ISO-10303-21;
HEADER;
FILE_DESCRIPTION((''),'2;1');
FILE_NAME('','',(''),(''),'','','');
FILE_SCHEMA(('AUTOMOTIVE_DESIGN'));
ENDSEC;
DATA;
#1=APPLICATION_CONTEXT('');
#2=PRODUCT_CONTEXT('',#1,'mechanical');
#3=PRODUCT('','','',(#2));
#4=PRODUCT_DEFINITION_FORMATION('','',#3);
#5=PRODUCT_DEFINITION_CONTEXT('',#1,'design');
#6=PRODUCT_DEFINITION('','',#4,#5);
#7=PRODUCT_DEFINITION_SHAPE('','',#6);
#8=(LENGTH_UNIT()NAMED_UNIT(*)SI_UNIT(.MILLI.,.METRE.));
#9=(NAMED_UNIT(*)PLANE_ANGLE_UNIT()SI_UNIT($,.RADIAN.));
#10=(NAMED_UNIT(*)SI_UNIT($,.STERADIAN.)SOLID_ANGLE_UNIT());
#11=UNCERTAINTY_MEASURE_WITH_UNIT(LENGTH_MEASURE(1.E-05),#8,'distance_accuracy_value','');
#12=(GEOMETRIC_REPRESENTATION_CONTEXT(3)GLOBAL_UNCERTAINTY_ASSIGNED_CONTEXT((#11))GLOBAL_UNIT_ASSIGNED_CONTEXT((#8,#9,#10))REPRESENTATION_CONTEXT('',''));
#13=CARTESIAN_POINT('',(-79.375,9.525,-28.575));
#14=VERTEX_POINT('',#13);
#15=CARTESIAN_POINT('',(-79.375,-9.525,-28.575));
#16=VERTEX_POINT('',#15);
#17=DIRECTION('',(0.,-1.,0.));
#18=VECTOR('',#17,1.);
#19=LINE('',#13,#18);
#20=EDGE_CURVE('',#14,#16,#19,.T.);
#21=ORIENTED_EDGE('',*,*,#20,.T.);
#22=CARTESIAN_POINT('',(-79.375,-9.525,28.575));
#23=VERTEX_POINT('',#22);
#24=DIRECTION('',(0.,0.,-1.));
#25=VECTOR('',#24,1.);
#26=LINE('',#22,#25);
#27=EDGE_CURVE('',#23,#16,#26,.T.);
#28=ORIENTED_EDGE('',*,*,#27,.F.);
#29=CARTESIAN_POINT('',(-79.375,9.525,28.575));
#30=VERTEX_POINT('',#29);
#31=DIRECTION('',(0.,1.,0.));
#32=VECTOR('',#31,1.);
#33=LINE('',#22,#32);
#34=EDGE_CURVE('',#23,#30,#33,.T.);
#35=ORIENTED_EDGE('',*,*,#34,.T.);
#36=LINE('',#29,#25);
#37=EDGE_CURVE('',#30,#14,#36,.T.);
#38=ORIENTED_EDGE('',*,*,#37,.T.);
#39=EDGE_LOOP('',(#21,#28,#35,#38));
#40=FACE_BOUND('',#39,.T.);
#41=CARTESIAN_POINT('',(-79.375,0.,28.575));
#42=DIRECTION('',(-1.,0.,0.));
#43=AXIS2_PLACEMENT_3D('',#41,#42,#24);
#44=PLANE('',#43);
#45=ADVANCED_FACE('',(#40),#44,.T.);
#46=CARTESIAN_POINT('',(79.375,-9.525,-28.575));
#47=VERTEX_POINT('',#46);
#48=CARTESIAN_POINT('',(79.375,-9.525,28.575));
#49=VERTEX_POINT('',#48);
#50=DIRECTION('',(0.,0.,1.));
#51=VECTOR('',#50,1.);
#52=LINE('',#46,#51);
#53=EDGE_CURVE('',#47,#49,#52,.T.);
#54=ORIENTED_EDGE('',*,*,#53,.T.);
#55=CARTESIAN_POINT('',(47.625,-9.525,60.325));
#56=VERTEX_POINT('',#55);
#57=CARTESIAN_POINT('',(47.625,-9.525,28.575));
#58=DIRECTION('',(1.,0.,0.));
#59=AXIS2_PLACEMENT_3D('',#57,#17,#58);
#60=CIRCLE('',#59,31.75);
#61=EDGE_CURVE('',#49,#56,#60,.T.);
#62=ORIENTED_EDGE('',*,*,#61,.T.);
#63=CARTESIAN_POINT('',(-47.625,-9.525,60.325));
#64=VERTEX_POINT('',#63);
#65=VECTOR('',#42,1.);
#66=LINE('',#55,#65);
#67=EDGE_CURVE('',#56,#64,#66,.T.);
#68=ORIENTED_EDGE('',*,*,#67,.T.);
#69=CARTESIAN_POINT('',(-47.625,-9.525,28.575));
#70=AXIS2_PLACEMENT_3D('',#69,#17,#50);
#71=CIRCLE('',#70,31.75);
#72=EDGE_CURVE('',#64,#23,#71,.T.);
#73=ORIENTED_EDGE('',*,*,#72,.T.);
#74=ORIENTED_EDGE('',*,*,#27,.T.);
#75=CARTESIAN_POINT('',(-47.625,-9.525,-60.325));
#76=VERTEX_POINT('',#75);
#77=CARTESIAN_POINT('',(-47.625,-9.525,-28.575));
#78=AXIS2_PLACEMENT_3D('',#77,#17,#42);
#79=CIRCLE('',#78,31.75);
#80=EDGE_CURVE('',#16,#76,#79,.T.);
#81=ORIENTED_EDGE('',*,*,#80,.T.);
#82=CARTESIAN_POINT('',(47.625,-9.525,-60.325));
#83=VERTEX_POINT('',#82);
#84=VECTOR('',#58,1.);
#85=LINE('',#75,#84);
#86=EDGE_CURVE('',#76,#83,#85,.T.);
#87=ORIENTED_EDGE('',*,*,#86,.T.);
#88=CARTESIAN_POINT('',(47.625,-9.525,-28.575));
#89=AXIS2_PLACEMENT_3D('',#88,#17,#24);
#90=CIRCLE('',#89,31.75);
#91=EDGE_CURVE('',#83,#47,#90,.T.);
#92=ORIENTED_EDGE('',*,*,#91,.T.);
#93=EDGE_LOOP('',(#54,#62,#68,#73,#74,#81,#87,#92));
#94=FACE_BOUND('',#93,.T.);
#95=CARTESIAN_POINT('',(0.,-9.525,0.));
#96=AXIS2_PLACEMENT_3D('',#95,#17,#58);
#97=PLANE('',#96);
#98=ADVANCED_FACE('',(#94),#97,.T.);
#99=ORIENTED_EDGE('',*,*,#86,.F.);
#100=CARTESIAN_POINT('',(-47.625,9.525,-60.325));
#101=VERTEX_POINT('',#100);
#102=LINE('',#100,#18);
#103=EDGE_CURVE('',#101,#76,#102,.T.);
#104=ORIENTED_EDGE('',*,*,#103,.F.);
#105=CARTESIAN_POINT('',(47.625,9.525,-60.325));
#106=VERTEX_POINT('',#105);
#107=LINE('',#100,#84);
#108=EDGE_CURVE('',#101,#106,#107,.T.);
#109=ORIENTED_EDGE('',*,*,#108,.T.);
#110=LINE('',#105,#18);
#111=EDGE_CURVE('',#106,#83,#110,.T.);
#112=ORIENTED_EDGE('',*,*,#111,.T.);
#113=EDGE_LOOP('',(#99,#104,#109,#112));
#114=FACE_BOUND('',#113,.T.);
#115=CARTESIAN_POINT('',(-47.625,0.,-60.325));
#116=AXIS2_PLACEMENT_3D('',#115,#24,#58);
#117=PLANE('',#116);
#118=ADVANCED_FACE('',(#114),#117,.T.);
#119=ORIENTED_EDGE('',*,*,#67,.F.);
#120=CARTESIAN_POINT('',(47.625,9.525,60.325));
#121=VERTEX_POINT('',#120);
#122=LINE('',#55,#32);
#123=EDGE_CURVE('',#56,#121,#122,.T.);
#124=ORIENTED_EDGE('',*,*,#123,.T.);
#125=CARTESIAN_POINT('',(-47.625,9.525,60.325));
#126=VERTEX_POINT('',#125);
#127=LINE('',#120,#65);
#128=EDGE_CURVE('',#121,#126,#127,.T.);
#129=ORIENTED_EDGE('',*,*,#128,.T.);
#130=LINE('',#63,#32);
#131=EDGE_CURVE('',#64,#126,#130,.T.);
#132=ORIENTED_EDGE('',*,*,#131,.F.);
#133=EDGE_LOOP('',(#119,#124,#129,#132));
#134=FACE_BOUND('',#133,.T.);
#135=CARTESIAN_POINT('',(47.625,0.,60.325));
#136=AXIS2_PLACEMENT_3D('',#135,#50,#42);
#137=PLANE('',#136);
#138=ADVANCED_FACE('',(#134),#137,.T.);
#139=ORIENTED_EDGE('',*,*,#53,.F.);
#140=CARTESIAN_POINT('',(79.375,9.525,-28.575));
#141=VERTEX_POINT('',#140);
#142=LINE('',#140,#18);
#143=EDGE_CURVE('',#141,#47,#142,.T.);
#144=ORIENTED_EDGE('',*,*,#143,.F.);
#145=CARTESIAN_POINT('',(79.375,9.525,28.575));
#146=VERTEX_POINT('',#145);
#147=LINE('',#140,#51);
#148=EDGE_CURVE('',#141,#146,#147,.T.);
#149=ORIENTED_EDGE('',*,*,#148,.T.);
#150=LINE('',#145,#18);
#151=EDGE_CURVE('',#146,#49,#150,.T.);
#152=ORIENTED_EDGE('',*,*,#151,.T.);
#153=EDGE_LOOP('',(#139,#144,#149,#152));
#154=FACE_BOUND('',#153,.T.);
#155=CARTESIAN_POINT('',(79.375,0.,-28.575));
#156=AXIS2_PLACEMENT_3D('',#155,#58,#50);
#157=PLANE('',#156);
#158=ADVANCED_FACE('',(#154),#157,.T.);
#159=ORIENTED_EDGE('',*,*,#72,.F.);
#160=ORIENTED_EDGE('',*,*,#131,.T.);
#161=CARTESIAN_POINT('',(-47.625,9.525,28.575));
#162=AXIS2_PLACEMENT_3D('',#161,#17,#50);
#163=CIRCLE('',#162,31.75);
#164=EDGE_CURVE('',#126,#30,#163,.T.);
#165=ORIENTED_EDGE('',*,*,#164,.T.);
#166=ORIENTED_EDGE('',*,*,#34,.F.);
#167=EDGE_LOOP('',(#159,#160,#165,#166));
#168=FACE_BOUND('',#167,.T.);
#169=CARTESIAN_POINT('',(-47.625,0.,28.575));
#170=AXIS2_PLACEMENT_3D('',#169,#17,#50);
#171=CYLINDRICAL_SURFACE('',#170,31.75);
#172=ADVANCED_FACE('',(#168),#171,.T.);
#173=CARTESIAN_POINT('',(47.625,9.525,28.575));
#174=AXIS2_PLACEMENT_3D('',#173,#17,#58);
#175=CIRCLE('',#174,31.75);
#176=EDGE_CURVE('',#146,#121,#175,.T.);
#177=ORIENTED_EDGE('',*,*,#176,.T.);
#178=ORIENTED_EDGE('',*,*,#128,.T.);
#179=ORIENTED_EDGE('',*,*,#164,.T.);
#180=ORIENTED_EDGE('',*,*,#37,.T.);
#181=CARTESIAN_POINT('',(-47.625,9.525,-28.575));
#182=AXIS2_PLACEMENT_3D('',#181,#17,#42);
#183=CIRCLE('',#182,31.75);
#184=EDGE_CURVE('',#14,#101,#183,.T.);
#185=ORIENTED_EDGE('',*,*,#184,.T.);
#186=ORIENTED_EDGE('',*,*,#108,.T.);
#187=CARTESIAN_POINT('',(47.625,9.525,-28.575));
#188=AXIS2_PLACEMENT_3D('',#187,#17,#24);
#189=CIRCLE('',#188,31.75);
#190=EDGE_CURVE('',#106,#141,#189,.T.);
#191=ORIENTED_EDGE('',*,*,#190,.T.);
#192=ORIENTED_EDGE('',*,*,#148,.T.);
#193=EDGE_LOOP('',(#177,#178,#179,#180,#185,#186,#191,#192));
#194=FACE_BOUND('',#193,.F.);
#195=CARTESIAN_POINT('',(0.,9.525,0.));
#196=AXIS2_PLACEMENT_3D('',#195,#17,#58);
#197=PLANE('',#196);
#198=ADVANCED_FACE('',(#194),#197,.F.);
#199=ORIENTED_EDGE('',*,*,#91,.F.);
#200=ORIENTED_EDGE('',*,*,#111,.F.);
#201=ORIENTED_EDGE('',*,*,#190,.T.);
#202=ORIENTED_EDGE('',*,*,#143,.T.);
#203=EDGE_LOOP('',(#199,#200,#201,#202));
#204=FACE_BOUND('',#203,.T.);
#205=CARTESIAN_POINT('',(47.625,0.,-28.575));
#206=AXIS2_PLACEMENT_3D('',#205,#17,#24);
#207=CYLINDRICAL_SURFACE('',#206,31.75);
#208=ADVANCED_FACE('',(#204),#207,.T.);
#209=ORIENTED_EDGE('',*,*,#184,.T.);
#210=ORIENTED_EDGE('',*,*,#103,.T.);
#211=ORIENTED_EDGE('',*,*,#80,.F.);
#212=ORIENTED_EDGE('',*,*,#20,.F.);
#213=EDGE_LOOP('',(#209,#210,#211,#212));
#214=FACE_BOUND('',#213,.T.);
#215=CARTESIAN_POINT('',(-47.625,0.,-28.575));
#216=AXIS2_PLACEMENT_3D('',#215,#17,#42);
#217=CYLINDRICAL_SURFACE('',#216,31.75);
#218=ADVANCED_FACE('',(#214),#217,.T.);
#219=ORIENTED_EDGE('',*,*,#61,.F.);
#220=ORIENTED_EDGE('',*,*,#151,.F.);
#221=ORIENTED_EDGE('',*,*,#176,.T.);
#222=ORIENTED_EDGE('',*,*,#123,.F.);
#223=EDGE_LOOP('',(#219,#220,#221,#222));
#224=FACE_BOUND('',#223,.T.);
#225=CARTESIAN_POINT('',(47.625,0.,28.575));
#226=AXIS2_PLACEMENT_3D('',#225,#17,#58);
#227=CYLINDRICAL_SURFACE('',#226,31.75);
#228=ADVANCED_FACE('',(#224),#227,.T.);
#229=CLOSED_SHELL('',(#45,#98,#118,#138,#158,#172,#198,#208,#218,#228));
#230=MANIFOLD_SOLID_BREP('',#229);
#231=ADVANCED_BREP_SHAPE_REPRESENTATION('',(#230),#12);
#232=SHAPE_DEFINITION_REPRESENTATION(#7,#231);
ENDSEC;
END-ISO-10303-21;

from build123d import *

# Parameters (mm, degrees)
F1_DEPTH = 9.525


with BuildPart() as f1:
    # F0 (on Front) → F1 (new body, symmetric)
    with BuildSketch(Plane.XZ):
        with BuildLine():
            Line((-79.375, 28.575), (-79.375, -28.575))
            ThreePointArc((-79.375, -28.575), (-70.0756403027, -51.0256403027), (-47.625, -60.325))
            Line((-47.625, -60.325), (47.625, -60.325))
            ThreePointArc((47.625, -60.325), (70.0756403027, -51.0256403027), (79.375, -28.575))
            Line((79.375, -28.575), (79.375, 28.575))
            ThreePointArc((79.375, 28.575), (70.0756403027, 51.0256403027), (47.625, 60.325))
            Line((47.625, 60.325), (-47.625, 60.325))
            ThreePointArc((-47.625, 60.325), (-70.0756403027, 51.0256403027), (-79.375, 28.575))
        make_face()
    extrude(amount=F1_DEPTH, both=True)


solid = f1.part
